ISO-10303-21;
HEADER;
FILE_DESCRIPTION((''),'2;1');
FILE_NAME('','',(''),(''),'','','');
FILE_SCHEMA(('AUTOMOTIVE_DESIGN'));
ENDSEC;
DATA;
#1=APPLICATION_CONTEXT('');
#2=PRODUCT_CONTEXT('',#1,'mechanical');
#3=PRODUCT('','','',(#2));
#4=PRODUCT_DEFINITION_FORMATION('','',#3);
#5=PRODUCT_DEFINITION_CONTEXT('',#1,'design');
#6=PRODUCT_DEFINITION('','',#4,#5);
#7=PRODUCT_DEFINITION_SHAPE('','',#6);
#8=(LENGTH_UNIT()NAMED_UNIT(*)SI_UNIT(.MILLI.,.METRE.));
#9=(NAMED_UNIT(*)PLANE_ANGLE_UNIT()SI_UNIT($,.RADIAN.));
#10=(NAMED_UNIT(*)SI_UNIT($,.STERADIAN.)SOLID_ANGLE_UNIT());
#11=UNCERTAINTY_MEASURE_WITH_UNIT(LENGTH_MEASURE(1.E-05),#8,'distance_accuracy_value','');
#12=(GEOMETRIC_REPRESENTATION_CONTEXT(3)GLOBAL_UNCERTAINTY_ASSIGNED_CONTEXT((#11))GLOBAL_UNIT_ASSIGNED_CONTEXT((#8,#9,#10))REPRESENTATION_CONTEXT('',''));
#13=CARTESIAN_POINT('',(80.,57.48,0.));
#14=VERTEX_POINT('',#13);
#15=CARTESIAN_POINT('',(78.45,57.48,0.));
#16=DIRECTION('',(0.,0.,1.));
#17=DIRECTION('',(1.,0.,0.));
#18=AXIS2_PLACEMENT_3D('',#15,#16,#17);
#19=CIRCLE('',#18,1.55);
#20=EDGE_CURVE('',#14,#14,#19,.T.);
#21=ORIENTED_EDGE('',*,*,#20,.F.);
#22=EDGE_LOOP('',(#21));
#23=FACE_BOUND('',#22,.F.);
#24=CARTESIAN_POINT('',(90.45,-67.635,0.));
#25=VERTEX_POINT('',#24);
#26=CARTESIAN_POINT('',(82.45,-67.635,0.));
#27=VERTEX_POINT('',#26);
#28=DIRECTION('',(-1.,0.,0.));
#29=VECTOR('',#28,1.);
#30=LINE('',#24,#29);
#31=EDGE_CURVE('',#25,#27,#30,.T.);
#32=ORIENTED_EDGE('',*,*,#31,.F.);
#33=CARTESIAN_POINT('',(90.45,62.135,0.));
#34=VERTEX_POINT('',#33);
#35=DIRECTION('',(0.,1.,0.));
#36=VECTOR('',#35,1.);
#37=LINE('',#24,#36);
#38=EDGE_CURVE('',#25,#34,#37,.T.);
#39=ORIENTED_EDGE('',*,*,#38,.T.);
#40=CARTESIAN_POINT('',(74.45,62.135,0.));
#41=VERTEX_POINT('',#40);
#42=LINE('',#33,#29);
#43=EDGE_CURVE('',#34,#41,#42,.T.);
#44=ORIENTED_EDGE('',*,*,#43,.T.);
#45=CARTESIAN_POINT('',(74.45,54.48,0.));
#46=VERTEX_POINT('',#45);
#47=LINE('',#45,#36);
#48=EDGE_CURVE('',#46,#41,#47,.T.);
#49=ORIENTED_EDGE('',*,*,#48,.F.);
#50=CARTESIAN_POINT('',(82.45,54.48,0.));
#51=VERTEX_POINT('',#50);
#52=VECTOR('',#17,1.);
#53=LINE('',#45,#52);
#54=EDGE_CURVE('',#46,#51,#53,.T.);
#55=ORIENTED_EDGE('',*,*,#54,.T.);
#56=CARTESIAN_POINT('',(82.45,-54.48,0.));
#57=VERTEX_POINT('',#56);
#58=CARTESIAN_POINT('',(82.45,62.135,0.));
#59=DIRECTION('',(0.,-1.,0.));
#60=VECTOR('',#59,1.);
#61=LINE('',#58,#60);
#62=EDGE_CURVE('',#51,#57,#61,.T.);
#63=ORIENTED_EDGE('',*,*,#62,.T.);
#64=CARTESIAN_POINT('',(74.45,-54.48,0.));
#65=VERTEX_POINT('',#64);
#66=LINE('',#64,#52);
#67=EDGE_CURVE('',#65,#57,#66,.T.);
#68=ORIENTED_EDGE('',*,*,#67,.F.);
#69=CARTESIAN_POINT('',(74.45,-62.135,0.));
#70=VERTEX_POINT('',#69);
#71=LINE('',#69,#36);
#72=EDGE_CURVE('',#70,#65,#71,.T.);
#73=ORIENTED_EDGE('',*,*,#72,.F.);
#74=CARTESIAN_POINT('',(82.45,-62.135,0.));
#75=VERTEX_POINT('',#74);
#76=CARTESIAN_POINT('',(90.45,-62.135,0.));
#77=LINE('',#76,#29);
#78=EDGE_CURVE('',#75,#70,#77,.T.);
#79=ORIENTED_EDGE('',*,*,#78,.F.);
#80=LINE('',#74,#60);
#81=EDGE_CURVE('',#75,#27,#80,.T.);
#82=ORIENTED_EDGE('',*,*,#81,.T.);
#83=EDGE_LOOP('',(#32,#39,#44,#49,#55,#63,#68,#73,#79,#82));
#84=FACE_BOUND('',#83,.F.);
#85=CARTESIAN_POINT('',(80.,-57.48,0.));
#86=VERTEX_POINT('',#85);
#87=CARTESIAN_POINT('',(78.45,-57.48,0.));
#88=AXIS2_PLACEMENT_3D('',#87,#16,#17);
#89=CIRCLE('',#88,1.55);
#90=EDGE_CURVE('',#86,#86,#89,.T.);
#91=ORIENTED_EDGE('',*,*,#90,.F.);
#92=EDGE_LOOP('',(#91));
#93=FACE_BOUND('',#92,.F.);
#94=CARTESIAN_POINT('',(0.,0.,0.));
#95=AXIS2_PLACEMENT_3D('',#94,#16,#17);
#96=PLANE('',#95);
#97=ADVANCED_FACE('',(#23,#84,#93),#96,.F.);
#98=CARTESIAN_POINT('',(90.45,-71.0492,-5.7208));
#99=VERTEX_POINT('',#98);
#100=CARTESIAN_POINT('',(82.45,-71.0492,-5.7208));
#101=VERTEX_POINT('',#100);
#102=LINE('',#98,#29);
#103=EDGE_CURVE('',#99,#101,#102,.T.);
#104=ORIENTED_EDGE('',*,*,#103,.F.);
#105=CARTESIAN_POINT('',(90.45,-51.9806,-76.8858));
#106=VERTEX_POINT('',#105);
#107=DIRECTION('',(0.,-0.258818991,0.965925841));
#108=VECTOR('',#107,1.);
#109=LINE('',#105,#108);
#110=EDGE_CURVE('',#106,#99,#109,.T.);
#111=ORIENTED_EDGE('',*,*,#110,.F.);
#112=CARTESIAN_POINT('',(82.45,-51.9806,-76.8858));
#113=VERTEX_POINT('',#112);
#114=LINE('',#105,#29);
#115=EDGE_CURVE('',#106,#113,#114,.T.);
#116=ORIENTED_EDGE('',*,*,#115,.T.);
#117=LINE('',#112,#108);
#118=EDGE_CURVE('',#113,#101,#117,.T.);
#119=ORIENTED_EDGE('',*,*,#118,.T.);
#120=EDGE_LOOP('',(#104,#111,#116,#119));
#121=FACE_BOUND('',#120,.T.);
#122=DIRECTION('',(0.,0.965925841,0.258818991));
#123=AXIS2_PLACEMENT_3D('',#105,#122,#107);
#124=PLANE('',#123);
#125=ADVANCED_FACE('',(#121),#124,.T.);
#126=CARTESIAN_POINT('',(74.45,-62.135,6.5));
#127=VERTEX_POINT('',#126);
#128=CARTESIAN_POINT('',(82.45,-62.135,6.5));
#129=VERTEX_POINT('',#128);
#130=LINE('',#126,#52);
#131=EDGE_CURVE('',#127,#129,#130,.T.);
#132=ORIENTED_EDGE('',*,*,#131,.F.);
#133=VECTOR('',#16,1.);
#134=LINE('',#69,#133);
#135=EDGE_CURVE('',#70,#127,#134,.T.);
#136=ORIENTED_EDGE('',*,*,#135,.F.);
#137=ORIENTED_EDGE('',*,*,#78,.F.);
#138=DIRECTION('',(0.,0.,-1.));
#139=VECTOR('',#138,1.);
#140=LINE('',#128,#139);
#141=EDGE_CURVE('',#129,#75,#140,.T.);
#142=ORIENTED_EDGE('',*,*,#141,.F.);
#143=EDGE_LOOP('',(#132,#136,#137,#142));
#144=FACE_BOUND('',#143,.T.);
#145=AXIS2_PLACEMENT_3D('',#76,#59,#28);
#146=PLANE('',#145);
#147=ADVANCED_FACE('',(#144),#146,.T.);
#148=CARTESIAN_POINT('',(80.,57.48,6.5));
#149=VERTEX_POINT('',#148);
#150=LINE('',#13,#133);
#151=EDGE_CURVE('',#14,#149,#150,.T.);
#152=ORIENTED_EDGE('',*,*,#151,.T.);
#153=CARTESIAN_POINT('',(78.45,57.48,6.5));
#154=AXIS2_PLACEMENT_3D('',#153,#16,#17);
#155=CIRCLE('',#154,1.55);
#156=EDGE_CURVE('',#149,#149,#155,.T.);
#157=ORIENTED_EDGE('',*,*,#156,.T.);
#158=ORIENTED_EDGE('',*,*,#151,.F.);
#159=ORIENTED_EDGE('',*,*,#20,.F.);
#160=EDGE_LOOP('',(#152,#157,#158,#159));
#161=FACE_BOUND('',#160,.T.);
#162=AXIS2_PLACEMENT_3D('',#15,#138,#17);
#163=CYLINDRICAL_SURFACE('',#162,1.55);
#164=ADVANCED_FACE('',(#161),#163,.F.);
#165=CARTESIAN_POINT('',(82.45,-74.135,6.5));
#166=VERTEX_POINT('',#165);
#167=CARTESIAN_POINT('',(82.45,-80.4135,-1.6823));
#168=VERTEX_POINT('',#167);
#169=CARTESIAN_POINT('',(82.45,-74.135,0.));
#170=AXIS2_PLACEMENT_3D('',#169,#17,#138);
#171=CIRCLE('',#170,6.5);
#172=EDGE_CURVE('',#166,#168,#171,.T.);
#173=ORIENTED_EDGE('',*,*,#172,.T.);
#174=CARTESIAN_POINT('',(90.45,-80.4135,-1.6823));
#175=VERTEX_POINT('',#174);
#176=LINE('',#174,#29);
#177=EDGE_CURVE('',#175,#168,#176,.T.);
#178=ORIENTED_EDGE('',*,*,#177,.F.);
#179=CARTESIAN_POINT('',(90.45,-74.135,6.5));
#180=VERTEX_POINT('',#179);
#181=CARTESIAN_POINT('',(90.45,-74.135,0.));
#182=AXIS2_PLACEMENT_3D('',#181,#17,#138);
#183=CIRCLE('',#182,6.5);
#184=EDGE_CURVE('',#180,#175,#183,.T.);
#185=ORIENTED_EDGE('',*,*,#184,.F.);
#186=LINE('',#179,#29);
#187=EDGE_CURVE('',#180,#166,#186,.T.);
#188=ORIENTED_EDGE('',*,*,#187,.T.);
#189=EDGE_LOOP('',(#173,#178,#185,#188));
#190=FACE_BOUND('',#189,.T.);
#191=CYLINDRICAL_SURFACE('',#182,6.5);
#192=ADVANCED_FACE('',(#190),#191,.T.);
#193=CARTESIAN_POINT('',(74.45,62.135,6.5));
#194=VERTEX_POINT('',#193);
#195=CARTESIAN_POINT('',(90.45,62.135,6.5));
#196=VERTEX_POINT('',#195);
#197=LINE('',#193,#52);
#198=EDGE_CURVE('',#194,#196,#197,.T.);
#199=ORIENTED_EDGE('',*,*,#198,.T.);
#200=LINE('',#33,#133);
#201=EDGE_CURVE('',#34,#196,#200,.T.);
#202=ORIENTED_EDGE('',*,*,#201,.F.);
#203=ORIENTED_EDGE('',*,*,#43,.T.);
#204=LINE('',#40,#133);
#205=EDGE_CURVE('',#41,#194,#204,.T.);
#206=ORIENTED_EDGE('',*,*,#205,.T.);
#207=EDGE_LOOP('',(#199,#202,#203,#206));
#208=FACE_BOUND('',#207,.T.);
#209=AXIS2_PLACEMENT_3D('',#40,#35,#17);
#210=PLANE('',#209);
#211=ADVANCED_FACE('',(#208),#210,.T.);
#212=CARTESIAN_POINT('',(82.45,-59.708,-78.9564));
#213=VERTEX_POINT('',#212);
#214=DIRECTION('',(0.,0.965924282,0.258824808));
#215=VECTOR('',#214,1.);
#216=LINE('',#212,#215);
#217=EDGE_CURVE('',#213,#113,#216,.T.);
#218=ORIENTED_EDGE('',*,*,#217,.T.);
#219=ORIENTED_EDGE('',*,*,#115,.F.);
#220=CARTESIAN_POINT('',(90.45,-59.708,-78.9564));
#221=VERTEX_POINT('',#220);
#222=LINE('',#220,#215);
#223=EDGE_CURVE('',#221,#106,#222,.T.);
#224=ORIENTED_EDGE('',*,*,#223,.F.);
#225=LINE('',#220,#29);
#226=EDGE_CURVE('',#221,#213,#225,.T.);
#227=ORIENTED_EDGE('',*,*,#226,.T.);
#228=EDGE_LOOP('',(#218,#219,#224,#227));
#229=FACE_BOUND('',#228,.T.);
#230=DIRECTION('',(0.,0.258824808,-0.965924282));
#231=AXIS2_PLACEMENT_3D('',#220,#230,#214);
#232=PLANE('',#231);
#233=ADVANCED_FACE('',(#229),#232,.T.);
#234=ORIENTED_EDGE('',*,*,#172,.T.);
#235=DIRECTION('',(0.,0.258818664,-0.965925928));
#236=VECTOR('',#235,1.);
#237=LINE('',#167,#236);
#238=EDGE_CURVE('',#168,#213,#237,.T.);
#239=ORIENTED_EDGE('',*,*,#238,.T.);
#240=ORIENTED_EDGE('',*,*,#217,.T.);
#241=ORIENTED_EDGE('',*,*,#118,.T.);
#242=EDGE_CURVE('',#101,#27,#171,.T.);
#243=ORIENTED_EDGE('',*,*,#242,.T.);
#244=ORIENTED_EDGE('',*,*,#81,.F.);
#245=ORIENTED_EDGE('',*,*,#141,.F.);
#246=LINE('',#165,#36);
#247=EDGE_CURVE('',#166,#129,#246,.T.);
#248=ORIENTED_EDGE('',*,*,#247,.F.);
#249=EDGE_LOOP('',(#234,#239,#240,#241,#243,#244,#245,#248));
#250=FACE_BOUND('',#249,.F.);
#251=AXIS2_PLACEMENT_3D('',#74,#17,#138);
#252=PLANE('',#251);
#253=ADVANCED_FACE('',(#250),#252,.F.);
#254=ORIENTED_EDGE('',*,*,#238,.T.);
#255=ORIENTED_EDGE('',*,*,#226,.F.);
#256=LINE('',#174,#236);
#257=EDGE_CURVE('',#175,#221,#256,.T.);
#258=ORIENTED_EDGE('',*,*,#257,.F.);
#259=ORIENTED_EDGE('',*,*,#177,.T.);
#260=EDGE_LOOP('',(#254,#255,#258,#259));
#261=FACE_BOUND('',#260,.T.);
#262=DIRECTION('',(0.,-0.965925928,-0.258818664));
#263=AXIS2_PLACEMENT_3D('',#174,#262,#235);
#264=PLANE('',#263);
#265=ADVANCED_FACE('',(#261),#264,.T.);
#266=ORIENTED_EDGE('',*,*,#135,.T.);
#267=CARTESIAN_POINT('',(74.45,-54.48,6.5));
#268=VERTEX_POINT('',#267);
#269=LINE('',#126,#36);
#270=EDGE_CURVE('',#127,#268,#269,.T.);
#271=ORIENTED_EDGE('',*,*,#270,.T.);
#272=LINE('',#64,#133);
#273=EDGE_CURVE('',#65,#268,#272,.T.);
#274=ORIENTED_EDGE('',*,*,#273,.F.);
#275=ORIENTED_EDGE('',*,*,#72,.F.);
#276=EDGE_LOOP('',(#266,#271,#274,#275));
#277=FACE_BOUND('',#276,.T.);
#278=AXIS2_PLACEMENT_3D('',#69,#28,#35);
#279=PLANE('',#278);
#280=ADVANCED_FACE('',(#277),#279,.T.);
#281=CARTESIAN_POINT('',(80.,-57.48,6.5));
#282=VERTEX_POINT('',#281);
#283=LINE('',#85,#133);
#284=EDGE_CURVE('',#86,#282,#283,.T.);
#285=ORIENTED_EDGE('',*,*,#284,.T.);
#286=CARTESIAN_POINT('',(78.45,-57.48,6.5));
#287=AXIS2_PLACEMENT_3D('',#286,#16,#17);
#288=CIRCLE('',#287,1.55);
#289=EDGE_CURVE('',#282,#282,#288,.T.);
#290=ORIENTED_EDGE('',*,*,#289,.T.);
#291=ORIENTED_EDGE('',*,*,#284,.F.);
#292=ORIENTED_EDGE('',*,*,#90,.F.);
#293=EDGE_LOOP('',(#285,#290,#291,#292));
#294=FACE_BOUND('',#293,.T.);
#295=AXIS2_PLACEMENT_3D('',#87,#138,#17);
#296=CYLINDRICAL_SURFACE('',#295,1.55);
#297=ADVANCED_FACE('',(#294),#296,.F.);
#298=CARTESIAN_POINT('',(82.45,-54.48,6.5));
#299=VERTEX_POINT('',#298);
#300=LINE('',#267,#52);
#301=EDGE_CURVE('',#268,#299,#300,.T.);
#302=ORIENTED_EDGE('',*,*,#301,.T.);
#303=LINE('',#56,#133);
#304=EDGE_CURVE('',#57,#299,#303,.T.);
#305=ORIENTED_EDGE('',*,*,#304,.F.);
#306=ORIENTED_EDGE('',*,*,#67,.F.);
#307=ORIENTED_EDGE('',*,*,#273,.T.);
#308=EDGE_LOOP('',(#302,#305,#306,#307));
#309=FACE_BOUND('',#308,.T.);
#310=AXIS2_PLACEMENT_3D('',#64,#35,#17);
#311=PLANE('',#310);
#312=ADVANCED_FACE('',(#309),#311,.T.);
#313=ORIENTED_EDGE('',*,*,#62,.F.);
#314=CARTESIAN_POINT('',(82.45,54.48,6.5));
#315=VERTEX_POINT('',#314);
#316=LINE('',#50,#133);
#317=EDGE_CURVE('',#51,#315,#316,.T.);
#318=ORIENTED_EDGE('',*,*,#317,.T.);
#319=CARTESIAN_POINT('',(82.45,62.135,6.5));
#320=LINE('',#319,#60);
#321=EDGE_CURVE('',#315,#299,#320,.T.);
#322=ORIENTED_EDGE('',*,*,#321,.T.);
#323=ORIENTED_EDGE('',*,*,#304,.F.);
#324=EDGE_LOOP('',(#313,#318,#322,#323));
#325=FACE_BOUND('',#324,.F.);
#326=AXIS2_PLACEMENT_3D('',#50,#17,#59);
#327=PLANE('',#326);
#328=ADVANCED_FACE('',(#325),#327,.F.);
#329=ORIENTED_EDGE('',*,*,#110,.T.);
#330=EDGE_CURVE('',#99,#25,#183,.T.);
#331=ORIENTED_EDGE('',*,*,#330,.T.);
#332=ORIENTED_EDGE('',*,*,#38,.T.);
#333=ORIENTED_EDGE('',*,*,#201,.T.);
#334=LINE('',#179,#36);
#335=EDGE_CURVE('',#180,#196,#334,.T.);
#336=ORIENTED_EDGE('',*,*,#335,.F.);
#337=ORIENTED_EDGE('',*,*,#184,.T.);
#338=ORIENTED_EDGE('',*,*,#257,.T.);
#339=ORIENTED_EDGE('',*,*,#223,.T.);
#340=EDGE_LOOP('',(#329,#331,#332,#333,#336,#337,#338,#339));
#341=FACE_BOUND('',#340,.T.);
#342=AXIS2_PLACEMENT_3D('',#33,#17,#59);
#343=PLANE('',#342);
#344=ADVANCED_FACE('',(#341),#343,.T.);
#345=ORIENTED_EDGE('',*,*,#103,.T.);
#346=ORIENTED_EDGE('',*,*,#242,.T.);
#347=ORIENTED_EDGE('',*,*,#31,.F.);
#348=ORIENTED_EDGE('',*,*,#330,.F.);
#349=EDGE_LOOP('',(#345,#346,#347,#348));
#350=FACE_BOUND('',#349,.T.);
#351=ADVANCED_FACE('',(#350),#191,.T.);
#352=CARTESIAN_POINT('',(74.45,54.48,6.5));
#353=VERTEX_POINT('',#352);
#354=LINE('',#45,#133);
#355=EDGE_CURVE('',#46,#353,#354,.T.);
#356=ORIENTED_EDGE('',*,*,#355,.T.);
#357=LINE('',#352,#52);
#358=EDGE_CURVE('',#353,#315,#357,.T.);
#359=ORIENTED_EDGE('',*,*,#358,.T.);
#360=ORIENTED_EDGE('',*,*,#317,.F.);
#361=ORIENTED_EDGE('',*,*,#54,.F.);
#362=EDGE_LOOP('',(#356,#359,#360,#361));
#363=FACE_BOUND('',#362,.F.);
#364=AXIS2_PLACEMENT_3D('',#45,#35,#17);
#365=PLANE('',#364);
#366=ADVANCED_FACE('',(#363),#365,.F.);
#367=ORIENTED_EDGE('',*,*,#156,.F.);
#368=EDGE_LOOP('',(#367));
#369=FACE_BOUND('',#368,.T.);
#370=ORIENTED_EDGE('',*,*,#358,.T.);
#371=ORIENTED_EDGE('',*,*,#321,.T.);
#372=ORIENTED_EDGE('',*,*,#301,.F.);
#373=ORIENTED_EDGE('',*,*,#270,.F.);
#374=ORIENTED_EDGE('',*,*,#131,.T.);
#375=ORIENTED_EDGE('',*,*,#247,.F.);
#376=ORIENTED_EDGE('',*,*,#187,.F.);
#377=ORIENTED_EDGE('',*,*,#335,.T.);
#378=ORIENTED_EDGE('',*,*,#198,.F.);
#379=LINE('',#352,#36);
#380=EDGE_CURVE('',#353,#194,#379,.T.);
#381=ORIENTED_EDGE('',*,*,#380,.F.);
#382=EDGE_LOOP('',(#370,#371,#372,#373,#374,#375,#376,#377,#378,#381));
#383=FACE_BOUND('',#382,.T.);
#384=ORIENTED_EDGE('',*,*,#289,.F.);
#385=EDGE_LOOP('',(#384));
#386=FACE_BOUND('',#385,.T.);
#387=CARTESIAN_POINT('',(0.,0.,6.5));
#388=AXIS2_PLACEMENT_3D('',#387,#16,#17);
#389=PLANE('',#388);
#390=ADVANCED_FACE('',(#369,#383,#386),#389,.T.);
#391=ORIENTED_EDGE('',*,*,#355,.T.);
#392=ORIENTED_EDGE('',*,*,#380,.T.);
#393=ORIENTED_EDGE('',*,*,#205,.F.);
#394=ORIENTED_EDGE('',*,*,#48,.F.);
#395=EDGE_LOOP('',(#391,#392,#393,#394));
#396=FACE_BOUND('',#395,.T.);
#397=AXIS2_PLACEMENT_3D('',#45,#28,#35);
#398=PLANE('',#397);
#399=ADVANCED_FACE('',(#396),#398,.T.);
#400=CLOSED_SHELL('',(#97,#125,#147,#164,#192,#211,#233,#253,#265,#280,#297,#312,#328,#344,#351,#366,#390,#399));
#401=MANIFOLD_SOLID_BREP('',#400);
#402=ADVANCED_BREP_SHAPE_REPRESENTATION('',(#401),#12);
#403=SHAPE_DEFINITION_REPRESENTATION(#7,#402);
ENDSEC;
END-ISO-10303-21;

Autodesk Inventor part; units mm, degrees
ref_plane "YZ Plane" through (0, 0, 0) normal (1, 0, 0) x (0, 1, 0)
ref_plane "XZ Plane" through (0, 0, 0) normal (0, 1, 0) x (-1, 0, 0)
ref_plane "XY Plane" through (0, 0, 0) normal (0, 0, 1) x (1, 0, 0)
sketch "Sketch1" plane through (0, 0, 0) normal (0, 0, 1) x (1, 0, 0)
  line L0 (74.45, 62.135) -> (82.45, 62.135)
  line L1 (82.45, 62.135) -> (82.45, -62.135)
  line L2 (82.45, -62.135) -> (74.45, -62.135)
  circle A0 centre (78.45, 57.48) radius 1.55
  circle A1 centre (78.45, -57.48) radius 1.55
  line L3 (78.45, 57.48) -> (78.45, -57.48) construction
  line L4 (74.45, 0) -> (82.45, 0) construction
  line L5 (74.45, 57.48) -> (82.45, 57.48) construction
  line L6 (74.45, 54.48) -> (82.45, 54.48)
  line L7 (74.45, -54.48) -> (82.45, -54.48)
  line L8 (82.45, 62.135) -> (90.45, 62.135)
  line L9 (90.45, 62.135) -> (90.45, -62.135)
  line L10 (90.45, -62.135) -> (82.45, -62.135)
  line L11 (82.45, -62.135) -> (82.45, 62.135)
  line L12 (74.45, -62.135) -> (74.45, -54.48)
  line L13 (74.45, 54.48) -> (74.45, 62.135)
  line L14 (74.45, 54.48) -> (74.45, -54.48) construction
  line L15 (0, 79.555) -> (0, -87.364) construction
  line L16 (74.45, -54.48) -> (82.45, -54.48)
  line L17 (82.45, -54.48) -> (82.45, -62.135)
  line L18 (82.45, -62.135) -> (74.45, -62.135)
  line L19 (74.45, -62.135) -> (74.45, -54.48)
  point P0 (0, 0)
  point P1 (78.45, 0)
  point P2 (78.45, 0)
  point P3 (78.45, 62.135)
  point P4 (86.45, -62.135)
  point P5 (78.45, -62.135)
  dimension "d0" = 124.27
  dimension "d1" = 8
  dimension "d2" = 3.1
  dimension "d3" = 3.1
  dimension "d4" = 114.96
  dimension "d5" = 3
  dimension "d6" = 78.45
  dimension "d7" = 8
extrude "Extrusion3" add sketch "Sketch1" along normal blind 6.5
sketch "Sketch4" plane through (90.45, -62.135, 0) normal (1, 0, 0) x (0, 0, -1)
  line L0 (-6.5, 0) -> (-6.5, 124.27) projected
  line L1 (-6.5, 0) -> (0, 0)
  line L2 (0, 0) -> (0, -12)
  line L3 (0, -12) -> (-6.5, -12)
  line L4 (-6.5, -12) -> (-6.5, 0)
  circle A0 centre (0, -12) radius 6.5
  line L5 (1.6823, -18.2785) -> (78.9564, 2.427)
  line L6 (78.9564, 2.427) -> (76.8858, 10.1544)
  line L7 (76.8858, 10.1544) -> (5.7208, -8.9142)
  point P0 (0, 62.135)
  dimension "d19" = 12
  dimension "d20" = 75
  dimension "d21" = 8
  dimension "d22" = 80
extrude "Extrusion4" add sketch "Sketch4" against normal up to surface (8 mm away)
properties part number "LCD-holder-right"
